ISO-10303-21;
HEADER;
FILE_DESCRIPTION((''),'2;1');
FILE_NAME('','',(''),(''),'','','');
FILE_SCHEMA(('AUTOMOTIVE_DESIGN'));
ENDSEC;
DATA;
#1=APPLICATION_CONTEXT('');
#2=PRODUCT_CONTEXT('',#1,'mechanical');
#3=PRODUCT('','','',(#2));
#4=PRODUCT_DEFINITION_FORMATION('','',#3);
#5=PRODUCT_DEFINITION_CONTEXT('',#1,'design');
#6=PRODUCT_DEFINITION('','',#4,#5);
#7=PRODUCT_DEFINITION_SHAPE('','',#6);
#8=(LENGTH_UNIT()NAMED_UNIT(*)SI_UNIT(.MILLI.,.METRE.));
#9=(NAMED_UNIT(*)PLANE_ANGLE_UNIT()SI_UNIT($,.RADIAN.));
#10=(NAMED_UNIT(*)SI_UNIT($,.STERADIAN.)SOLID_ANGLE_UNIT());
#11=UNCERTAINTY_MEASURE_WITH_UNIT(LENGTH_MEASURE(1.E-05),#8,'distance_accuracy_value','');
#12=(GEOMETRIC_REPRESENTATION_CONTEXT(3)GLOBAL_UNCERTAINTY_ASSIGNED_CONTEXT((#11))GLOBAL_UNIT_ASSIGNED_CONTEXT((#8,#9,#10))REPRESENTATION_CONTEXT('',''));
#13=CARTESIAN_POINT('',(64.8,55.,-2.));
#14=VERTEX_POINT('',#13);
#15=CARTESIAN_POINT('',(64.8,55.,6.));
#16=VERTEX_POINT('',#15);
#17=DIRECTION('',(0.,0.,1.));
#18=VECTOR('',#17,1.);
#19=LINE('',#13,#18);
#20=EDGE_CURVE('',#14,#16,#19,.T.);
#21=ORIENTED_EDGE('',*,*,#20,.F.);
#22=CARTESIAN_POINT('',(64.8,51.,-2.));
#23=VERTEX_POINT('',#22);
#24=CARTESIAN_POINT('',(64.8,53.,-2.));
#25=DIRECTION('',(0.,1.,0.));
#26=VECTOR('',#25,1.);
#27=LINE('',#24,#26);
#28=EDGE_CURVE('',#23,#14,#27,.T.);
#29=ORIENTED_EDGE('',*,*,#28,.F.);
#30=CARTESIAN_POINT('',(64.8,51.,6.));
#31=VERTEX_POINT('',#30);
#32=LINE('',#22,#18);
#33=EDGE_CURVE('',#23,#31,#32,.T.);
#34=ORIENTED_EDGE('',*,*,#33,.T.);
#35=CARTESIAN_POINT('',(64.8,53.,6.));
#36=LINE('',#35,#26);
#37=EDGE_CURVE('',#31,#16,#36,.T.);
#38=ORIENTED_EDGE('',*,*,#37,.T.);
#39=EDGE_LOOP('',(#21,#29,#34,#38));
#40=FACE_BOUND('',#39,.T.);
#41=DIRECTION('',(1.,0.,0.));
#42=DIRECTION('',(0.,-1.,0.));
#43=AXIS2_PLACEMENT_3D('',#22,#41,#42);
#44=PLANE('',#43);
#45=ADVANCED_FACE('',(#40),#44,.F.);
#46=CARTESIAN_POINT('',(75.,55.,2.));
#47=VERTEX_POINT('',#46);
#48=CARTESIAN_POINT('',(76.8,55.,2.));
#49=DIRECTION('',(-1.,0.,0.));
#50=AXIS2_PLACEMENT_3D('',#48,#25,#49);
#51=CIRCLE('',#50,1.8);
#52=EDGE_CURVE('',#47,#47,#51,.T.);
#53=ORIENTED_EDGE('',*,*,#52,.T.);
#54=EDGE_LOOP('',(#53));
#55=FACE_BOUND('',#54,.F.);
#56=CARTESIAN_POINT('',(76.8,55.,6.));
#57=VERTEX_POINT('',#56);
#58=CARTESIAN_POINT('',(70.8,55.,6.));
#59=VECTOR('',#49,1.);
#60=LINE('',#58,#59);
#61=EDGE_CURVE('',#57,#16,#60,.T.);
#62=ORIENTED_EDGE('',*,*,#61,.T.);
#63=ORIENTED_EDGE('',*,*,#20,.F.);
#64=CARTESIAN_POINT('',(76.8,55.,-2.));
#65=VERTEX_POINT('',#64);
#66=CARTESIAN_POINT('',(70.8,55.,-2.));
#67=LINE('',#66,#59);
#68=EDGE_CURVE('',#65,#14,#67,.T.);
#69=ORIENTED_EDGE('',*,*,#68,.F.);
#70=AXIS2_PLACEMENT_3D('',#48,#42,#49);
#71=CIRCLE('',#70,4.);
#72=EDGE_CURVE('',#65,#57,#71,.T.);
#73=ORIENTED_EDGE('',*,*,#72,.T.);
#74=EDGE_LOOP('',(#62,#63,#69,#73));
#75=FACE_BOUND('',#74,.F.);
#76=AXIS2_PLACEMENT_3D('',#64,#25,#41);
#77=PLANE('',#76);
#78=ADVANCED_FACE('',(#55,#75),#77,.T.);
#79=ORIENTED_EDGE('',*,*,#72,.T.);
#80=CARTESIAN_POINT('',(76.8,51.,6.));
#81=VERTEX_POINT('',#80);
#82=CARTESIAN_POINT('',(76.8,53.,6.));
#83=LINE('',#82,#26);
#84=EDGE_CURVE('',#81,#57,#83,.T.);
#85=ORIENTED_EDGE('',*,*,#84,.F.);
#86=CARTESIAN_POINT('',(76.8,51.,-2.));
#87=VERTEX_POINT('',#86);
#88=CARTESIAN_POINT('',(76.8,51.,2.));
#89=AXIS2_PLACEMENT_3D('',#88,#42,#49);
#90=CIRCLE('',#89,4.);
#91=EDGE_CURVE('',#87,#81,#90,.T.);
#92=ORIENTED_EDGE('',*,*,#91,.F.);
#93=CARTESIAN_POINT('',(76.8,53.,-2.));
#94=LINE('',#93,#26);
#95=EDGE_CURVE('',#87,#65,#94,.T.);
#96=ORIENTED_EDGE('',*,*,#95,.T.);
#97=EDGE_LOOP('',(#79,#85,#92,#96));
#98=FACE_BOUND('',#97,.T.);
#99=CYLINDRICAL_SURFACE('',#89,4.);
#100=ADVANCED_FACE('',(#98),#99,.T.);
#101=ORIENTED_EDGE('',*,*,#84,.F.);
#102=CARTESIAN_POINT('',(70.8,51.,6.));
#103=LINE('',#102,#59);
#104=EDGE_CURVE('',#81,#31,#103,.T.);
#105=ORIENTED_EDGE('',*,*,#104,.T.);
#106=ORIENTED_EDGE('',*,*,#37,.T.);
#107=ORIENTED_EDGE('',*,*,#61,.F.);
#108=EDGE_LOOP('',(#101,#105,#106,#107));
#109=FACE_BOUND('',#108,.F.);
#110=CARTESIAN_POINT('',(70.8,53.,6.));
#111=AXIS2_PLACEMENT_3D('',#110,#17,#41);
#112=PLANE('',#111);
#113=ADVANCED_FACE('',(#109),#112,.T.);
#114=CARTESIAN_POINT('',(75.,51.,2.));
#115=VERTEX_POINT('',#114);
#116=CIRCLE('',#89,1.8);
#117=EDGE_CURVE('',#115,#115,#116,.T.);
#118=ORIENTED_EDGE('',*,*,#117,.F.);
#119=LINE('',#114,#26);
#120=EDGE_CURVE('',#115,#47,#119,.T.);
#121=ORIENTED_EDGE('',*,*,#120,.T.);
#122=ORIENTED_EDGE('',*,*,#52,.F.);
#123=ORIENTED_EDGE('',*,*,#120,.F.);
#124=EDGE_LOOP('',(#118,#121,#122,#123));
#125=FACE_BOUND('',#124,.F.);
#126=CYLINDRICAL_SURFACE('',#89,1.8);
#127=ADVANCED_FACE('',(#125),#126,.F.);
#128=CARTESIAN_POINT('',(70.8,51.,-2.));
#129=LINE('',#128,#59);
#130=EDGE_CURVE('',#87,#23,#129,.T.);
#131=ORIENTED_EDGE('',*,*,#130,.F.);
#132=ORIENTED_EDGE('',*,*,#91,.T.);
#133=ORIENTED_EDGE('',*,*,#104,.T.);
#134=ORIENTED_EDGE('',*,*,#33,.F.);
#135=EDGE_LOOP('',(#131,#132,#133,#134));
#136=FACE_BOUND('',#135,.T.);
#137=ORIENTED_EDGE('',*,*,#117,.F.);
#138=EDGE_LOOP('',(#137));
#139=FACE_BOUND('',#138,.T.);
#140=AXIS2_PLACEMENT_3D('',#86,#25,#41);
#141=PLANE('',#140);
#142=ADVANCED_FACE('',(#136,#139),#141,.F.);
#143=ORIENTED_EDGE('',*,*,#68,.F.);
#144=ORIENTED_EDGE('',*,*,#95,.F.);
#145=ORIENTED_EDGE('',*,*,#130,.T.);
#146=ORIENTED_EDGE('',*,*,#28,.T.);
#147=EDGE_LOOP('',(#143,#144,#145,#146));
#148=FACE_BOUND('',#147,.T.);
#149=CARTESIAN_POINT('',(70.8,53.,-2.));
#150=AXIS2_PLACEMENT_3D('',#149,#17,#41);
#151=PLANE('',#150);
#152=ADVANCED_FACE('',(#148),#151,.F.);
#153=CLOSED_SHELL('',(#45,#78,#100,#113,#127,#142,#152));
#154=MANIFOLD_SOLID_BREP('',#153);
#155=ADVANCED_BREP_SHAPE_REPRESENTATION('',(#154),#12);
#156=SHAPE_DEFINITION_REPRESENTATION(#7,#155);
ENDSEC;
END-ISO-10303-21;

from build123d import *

# Parameters (mm, degrees)
CYLINDER001_R     = 1.8
CYLINDER001_DEPTH = 30
CYLINDER_R        = 4
CYLINDER_DEPTH    = 4
BOX008_W          = 12
BOX008_H          = 4
BOX008_DEPTH      = 8


with BuildPart() as cylinder001:
    # Cylinder001 → Cylinder001 (new body)
    with BuildSketch(Plane(origin=(0, 0, 4), x_dir=(1, 0, 0), z_dir=(0, 1, 0))):
        Circle(CYLINDER001_R)
    extrude(amount=CYLINDER001_DEPTH)


with BuildPart() as cylinder:
    # Cylinder → Cylinder (new body)
    with BuildSketch(Plane(origin=(0, 0, 4), x_dir=(1, 0, 0), z_dir=(0, 1, 0))):
        Circle(CYLINDER_R)
    extrude(amount=CYLINDER_DEPTH)


with BuildPart() as ear:
    # Box008 → Box008 (new body)
    with BuildSketch(Plane.XY):
        with Locations((6, 2)):
            Rectangle(BOX008_W, BOX008_H)
    extrude(amount=BOX008_DEPTH)

    # Fusion: union Cylinder
    add(cylinder.part)

    # Cut: cut Cylinder001
    add(cylinder001.part, mode=Mode.SUBTRACT)


with BuildPart() as ear_1:
    # Cut placement: moved
    add(ear.part.moved(Location((-12, 51, -2))))


with BuildPart() as part_mirroring:
    # Part__Mirroring: instance of ear
    add(ear_1.part.mirror(Plane(origin=(32.4, 0, 0), x_dir=(0, -1, 0), z_dir=(1, 0, 0))))


solid = part_mirroring.part
